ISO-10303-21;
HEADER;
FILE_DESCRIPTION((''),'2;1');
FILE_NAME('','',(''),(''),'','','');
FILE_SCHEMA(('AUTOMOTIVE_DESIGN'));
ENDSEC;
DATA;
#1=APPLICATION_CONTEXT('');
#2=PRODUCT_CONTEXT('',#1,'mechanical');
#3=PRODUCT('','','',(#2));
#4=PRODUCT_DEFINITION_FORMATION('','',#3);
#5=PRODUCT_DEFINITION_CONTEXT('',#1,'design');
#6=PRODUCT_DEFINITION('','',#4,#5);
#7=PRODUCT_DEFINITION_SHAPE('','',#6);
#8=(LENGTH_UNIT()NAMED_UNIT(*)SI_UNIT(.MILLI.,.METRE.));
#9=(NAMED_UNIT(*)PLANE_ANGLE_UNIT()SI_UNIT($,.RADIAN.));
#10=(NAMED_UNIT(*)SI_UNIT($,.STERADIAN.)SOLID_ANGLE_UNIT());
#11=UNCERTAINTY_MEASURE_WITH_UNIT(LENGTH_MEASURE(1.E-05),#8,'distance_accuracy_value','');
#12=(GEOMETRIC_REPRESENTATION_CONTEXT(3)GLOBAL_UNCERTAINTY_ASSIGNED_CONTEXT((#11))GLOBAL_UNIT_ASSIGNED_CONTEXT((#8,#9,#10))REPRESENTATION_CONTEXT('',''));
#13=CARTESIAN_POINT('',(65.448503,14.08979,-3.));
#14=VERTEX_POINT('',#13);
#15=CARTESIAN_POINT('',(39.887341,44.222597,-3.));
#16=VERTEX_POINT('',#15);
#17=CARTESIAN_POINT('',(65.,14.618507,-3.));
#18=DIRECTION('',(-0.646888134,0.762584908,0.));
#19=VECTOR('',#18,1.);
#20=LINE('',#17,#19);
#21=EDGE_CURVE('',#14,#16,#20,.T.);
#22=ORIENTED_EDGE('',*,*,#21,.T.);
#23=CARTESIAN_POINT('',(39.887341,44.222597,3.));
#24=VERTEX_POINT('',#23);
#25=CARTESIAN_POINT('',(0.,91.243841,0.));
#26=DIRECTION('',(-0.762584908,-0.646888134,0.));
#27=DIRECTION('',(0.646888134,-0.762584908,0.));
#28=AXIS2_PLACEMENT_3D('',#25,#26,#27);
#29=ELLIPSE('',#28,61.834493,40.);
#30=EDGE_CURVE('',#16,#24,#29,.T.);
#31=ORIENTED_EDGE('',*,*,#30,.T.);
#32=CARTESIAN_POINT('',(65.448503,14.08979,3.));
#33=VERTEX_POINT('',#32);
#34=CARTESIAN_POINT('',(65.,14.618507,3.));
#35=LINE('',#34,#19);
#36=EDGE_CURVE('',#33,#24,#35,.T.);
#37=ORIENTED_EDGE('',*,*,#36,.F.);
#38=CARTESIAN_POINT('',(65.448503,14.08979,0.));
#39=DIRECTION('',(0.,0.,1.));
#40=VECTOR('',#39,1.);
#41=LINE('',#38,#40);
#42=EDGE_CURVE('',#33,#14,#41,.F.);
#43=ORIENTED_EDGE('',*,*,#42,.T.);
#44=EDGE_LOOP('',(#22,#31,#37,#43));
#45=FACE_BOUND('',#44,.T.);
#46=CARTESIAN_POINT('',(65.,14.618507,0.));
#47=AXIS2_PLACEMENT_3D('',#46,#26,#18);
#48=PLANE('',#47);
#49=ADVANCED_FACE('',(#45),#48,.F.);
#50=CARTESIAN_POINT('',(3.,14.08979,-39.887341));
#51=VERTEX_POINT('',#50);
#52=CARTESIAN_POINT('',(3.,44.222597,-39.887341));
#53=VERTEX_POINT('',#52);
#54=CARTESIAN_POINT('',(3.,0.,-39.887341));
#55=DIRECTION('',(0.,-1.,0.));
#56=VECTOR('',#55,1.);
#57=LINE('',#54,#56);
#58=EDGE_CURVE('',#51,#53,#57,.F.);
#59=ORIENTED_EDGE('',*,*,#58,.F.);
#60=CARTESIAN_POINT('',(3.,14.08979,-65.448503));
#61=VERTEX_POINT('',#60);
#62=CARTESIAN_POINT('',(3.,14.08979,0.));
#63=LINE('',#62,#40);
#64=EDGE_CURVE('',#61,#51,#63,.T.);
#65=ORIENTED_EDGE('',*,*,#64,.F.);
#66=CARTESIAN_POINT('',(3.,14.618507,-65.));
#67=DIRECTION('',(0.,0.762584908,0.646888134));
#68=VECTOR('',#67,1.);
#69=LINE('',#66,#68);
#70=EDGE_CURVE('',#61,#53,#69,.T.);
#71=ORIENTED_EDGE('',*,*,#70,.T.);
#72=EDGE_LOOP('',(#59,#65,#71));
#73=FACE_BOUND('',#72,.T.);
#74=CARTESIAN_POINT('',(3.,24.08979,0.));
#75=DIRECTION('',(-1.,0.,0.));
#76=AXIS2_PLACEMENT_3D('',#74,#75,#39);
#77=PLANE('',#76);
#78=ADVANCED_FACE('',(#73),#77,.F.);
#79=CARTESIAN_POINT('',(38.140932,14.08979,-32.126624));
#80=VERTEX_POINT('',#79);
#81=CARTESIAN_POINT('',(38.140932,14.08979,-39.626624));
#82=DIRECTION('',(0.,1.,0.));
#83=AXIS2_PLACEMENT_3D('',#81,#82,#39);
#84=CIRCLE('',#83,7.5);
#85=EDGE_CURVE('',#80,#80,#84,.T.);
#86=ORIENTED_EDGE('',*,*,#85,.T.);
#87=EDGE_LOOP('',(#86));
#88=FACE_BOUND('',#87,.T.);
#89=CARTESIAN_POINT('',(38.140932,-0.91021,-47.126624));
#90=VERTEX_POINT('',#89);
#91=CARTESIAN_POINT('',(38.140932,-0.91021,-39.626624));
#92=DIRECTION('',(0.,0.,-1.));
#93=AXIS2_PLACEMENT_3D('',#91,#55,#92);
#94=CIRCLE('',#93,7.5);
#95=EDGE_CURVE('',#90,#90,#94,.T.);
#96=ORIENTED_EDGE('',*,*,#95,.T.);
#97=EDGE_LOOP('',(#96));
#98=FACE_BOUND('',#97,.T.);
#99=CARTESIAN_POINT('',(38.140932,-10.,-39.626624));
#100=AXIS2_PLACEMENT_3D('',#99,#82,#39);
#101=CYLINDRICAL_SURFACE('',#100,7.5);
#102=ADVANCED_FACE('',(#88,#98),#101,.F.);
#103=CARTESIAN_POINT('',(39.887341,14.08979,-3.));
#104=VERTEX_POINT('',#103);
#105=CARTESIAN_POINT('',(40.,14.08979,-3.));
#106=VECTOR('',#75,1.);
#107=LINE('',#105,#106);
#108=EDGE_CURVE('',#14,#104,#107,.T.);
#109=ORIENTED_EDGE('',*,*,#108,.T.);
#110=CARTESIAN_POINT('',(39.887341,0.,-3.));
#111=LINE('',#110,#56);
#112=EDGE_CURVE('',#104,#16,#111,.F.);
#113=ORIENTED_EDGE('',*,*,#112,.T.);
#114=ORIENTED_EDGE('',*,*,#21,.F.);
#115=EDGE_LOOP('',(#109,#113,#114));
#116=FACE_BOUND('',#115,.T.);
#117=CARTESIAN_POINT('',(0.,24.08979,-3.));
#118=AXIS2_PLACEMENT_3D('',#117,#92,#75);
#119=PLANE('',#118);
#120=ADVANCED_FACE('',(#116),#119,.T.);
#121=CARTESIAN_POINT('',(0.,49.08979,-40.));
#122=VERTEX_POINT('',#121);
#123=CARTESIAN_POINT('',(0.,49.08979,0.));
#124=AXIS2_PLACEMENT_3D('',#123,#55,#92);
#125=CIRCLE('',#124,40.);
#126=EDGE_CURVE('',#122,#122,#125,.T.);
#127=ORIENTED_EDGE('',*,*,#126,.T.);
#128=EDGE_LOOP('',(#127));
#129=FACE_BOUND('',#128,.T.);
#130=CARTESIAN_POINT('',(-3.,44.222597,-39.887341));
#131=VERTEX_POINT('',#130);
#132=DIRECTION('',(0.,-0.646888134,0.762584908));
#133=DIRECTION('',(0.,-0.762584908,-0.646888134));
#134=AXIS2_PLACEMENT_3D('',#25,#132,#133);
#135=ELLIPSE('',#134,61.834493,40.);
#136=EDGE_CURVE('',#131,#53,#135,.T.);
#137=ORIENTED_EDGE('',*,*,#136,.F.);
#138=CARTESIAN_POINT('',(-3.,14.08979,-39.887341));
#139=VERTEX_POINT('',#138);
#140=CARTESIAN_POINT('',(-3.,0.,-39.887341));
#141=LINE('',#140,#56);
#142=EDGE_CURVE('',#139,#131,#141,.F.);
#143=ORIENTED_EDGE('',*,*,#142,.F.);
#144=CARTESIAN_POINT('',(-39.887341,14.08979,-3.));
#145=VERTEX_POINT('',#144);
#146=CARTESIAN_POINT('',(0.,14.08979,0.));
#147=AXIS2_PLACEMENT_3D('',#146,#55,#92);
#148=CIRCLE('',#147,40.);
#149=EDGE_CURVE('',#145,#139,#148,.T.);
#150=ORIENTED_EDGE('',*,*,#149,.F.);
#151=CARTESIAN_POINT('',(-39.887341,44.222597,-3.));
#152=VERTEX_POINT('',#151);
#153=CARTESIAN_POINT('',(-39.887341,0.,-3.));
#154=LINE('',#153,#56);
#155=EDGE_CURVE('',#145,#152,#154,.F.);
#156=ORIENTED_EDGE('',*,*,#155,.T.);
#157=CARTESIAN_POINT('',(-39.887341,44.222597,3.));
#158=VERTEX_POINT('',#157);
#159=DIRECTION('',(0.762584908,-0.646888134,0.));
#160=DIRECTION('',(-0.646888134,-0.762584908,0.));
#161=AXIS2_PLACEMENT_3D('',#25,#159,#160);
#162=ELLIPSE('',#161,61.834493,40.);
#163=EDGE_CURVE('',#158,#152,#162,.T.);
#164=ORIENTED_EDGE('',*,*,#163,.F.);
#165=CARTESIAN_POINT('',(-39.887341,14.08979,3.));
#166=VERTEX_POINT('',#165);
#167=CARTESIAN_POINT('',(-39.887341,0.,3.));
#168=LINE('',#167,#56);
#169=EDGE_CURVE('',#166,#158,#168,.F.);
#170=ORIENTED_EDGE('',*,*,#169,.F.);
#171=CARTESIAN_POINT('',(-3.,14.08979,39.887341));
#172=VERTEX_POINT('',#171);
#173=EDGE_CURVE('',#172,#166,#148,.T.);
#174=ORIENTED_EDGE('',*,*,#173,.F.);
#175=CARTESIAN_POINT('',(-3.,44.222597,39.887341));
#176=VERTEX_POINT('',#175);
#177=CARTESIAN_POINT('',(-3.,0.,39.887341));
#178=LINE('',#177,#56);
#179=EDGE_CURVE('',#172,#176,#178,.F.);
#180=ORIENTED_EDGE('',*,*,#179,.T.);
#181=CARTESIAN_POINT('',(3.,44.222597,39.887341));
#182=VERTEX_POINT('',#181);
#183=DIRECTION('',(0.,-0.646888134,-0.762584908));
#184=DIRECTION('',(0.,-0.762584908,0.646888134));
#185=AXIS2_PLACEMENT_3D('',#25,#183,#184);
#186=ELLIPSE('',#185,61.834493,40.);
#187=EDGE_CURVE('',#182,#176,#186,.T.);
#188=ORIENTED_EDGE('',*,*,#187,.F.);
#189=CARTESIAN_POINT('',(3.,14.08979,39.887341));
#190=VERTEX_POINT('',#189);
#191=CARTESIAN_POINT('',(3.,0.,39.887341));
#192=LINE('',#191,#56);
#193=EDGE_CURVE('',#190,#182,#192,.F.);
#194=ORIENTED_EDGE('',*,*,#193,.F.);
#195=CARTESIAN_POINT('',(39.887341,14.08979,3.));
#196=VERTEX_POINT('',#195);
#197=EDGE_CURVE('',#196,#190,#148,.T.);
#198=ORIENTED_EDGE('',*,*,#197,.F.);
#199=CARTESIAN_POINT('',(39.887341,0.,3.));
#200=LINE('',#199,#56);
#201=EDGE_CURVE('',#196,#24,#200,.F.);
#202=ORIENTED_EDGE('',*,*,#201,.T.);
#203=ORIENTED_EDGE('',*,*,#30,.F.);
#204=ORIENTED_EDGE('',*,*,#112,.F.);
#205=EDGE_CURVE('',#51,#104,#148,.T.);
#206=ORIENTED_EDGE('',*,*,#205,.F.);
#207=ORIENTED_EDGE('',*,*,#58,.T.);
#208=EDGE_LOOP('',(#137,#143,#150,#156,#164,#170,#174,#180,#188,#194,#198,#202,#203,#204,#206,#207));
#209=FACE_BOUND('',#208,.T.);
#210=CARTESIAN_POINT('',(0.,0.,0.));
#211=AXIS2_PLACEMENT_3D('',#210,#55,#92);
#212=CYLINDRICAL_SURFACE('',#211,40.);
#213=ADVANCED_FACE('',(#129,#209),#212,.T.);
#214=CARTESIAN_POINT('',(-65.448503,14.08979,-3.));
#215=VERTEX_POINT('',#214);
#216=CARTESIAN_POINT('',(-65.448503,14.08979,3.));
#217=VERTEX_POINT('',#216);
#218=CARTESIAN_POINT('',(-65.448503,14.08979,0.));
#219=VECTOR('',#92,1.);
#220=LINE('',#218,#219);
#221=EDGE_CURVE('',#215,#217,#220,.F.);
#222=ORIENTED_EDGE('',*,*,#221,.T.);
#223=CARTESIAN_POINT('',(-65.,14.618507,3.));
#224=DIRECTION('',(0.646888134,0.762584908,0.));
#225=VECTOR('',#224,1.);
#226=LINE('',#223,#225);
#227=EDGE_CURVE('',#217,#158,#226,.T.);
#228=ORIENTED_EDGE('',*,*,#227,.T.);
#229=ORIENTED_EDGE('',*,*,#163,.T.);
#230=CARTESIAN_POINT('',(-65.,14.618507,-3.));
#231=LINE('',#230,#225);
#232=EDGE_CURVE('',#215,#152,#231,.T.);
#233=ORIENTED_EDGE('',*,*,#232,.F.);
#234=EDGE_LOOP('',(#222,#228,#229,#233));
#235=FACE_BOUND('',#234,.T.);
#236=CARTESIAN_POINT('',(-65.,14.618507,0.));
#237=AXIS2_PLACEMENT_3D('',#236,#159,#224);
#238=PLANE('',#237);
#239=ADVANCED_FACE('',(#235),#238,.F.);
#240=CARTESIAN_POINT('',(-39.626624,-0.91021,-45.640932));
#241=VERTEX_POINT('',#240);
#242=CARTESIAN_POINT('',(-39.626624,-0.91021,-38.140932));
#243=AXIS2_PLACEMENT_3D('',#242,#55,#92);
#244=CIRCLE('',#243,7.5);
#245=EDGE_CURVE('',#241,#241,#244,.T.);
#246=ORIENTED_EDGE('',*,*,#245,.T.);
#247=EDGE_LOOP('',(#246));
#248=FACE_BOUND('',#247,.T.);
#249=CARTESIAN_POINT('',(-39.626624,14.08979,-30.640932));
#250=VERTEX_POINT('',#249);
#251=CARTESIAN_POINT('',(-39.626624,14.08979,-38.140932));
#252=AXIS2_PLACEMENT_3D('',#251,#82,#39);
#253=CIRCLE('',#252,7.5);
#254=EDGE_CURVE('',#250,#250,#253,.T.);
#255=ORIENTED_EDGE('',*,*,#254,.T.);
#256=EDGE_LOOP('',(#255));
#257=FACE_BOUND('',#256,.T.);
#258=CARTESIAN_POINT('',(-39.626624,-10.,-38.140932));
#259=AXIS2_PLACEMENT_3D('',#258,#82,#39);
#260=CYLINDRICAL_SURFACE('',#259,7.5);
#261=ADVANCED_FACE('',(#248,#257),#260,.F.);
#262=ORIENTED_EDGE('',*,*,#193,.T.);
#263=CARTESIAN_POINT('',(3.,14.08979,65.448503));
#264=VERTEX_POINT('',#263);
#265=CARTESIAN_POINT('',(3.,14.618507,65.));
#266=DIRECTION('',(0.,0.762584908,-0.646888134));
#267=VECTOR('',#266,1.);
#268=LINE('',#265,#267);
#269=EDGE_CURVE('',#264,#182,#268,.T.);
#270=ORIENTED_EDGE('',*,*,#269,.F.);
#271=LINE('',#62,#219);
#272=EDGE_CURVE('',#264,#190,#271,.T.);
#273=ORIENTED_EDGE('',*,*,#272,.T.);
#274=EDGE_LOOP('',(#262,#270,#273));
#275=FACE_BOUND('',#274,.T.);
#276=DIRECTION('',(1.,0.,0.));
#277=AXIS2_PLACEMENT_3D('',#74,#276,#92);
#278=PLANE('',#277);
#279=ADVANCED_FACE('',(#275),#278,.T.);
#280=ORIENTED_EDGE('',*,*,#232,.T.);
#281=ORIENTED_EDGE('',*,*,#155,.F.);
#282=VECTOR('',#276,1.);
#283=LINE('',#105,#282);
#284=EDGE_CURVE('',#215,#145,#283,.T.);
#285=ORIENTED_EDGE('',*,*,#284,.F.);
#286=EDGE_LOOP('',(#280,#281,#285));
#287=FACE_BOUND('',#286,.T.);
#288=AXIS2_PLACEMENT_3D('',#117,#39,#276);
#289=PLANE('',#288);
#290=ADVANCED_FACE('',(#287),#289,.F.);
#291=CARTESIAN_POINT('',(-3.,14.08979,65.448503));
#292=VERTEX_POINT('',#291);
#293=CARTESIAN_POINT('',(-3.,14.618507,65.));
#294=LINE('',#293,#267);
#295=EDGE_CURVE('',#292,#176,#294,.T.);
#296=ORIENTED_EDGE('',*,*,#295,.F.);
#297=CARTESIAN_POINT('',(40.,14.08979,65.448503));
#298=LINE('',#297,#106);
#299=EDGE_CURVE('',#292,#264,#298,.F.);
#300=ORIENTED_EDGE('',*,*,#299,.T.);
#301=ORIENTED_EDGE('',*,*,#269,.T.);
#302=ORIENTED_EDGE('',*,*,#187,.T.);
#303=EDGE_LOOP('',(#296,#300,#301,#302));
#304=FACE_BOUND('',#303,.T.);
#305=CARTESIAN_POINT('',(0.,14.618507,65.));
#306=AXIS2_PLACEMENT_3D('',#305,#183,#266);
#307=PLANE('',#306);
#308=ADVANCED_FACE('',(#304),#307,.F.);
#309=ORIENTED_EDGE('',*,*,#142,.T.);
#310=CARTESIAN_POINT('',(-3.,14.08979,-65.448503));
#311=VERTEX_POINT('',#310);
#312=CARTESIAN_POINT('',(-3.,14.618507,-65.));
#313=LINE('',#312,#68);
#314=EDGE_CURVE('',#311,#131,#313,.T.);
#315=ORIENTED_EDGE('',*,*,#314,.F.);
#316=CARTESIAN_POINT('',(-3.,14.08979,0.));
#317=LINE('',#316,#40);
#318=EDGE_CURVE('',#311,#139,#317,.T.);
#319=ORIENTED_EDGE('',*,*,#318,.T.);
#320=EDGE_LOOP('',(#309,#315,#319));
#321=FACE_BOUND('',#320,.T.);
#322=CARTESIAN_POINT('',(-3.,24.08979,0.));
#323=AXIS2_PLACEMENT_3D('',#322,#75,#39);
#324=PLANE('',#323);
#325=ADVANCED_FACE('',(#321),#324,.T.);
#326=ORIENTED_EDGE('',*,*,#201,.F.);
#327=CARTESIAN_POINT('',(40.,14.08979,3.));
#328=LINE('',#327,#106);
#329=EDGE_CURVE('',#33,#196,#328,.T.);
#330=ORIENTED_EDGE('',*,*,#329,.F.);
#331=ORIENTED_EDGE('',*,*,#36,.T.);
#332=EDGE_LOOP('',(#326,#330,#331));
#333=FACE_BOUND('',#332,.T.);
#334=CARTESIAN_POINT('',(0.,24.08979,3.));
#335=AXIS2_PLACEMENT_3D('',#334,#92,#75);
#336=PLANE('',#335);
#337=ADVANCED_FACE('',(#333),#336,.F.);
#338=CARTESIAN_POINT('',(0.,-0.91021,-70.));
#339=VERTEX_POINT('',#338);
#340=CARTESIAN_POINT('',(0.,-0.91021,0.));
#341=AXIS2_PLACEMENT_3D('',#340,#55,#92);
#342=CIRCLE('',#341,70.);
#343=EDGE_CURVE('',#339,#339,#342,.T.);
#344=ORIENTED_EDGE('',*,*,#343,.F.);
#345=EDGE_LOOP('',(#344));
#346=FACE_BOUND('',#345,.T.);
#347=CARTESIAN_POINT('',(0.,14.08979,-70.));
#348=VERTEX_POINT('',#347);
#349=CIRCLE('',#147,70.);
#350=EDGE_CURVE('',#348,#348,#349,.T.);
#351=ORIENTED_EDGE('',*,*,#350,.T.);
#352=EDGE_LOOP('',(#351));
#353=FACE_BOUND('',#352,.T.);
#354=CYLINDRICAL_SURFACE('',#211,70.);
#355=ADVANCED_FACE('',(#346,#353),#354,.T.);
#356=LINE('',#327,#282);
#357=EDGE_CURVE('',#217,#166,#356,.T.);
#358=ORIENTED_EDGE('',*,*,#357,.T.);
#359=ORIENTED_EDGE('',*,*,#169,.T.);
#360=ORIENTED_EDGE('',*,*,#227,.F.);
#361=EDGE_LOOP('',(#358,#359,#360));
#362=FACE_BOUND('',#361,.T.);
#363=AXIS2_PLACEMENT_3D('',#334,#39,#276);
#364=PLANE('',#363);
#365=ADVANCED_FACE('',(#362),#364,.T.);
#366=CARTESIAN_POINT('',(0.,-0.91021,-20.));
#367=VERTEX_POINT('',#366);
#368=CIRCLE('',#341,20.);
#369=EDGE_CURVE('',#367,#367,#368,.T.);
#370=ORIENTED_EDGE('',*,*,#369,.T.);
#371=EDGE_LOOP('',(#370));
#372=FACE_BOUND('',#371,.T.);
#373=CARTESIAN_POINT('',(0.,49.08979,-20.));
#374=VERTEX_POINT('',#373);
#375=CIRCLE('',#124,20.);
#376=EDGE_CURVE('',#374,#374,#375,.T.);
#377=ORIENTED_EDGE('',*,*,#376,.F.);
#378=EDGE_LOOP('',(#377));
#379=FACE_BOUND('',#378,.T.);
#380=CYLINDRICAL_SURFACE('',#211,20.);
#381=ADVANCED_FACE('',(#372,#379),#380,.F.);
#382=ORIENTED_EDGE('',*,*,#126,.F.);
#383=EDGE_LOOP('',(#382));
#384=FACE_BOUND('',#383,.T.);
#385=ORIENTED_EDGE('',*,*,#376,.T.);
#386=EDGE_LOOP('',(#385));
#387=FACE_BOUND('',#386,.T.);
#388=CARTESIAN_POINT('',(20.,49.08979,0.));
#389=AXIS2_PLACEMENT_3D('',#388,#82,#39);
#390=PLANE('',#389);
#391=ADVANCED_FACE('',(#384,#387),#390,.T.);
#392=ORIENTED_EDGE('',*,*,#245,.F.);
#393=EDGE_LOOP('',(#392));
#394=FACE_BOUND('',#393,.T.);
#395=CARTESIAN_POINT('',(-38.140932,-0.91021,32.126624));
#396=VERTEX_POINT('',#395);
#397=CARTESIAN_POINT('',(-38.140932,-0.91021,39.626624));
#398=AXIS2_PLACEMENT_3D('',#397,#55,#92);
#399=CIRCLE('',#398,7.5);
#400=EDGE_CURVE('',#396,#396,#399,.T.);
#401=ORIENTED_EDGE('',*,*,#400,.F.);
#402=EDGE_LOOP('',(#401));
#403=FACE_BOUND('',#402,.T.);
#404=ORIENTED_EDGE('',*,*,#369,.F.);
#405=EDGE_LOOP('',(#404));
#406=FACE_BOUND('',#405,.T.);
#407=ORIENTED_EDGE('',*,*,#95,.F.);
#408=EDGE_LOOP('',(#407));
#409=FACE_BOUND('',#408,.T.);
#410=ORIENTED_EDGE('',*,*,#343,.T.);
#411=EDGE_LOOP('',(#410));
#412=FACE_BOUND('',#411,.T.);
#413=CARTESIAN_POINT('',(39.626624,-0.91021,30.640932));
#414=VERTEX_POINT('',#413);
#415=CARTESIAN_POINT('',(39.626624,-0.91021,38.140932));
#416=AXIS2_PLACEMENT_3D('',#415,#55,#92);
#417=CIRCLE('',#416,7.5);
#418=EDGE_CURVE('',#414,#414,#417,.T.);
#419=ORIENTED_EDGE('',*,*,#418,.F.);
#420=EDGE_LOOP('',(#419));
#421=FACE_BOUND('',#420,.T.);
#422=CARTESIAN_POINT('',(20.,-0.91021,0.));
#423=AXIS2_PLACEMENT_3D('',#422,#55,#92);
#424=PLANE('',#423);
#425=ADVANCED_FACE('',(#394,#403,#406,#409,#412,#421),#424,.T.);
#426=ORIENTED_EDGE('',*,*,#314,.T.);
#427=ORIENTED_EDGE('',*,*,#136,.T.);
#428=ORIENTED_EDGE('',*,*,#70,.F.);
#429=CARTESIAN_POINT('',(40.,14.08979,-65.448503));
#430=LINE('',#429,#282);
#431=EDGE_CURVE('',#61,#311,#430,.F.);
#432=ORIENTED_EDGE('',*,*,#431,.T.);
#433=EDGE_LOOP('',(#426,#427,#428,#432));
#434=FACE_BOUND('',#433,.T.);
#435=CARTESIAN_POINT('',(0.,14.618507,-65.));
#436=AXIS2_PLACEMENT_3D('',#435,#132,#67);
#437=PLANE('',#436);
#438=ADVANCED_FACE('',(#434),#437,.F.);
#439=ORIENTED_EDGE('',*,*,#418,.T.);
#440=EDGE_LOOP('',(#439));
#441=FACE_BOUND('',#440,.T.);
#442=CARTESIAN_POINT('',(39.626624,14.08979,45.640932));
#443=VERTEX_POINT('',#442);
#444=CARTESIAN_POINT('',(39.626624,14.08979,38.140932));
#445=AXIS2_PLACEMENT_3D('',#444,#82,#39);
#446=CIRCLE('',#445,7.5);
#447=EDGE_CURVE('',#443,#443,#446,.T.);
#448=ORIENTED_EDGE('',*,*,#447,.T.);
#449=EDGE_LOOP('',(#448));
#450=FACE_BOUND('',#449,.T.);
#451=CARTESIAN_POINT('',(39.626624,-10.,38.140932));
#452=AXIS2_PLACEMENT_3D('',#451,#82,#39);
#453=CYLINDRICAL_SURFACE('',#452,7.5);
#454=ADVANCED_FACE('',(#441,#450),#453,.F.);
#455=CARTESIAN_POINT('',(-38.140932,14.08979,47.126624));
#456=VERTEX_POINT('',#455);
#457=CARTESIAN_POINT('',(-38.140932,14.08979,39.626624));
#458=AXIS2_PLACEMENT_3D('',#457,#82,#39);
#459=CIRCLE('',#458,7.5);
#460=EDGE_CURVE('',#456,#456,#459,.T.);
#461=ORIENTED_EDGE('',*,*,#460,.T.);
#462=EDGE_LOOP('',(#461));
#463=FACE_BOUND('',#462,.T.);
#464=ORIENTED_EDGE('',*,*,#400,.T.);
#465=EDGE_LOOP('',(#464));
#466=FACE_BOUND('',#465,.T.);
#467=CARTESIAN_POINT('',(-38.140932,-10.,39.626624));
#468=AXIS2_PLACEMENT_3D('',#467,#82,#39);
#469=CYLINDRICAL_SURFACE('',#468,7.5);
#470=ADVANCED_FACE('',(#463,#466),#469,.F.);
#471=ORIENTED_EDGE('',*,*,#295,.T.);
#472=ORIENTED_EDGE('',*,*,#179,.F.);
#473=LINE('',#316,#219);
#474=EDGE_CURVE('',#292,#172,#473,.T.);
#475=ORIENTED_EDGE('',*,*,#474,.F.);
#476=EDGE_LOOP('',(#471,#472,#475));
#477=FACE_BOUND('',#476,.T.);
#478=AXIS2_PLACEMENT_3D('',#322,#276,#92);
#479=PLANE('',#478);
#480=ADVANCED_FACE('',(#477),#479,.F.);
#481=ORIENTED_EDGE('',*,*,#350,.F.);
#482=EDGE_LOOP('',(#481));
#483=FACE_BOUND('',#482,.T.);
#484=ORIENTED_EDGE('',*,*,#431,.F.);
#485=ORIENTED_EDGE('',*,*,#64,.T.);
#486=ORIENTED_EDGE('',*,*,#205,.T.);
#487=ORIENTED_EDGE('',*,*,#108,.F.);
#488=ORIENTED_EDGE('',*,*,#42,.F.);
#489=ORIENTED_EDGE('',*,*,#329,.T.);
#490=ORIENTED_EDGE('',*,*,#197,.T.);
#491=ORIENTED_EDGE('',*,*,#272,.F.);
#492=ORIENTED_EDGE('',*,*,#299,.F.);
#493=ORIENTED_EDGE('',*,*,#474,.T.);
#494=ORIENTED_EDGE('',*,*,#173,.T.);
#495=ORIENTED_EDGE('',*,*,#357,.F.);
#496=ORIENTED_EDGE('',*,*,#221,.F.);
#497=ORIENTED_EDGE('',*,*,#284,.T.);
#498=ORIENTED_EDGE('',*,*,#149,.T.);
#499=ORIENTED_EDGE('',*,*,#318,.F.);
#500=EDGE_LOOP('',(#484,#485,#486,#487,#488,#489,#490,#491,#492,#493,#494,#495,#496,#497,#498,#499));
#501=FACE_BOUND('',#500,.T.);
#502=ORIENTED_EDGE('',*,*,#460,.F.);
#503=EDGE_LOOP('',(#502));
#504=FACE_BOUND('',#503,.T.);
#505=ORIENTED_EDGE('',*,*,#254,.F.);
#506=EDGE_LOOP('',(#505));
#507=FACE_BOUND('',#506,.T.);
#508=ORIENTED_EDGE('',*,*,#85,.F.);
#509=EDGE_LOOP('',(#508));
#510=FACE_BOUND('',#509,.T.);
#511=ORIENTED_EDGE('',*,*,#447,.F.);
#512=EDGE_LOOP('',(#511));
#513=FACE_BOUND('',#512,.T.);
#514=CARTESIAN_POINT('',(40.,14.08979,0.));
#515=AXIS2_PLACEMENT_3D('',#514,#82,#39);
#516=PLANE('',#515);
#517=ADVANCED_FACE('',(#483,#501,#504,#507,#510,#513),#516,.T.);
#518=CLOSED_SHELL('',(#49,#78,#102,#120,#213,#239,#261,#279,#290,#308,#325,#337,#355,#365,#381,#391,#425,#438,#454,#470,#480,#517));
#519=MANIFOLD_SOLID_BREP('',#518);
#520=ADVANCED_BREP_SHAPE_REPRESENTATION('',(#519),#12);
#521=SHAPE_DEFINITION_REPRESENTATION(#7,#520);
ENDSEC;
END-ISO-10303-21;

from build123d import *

# Parameters (mm, degrees)
RIB1_REACH              = 112.498
SKETCH2_WALL_W          = 261.642553204
SKETCH2_WALL_H          = 6
CUT_EXTRUDE2_DEPTH      = 111.497997453
CUT_EXTRUDE2_DEPTH_BACK = 10
SKETCH4_R               = 7.5
CIRPATTERN6_COUNT       = 4


with BuildPart() as part:
    # Sketch1 → Revolve1 (revolve)
    with BuildSketch(Plane.XY, mode=Mode.PRIVATE) as revolve1_sk:
        Polygon((20, 49.089789582), (20, -0.910210418), (70, -0.910210418), (70, 14.089789582), (40, 14.089789582), (40, 49.089789582), align=None)
    revolve(revolve1_sk.sketch.rotate(Axis((0, 0, 0), (0, 1, 0)), 90), axis=Axis((0, 0, 0), (0, 1, 0)))

    # Sketch2 wall → Rib1 (add, up to next)
    with BuildSketch(Plane(origin=(-52.5, 29.354148536, 0), x_dir=(0.646888134458, 0.76258490773, 0), z_dir=(-0.76258490773, 0.646888134458, 0)), mode=Mode.PRIVATE) as rib1_sk1:
        Rectangle(SKETCH2_WALL_W, SKETCH2_WALL_H)
    rib1_tool1 = extrude(rib1_sk1.sketch, amount=-RIB1_REACH, mode=Mode.PRIVATE) - part.part
    rib1 = rib1_tool1.solids().sort_by_distance((-52.5, 29.354148536, 0))[0]
    add(rib1)

    # Sketch4 → Cut-Extrude2 (cut, two sides: drawn at the far end of the back side and taken through both)
    with BuildSketch(Plane(origin=(0, 0, 0), x_dir=(1, 0, 0), z_dir=(0, 1, 0)).offset(-CUT_EXTRUDE2_DEPTH_BACK)):
        with Locations(Location((-39.62662351, 38.140932201, 0), (0, 0, 270))):
            Circle(SKETCH4_R)
        with Locations(Location((38.140932201, 39.62662351, 0), (0, 0, 270))):
            Circle(SKETCH4_R)
        with Locations(Location((39.62662351, -38.140932201, 0), (0, 0, 270))):
            Circle(SKETCH4_R)
        with Locations(Location((-38.140932201, -39.62662351, 0), (0, 0, 270))):
            Circle(SKETCH4_R)
    extrude(amount=CUT_EXTRUDE2_DEPTH + CUT_EXTRUDE2_DEPTH_BACK, mode=Mode.SUBTRACT)

    # CirPattern6: Rib1 ×4 about axis
    cirpattern6_axis = Axis((0, 0, 0), (0, 1, 0))
    for i in range(1, CIRPATTERN6_COUNT):
        add(rib1.rotate(cirpattern6_axis, i * 360 / CIRPATTERN6_COUNT))


solid = part.part
